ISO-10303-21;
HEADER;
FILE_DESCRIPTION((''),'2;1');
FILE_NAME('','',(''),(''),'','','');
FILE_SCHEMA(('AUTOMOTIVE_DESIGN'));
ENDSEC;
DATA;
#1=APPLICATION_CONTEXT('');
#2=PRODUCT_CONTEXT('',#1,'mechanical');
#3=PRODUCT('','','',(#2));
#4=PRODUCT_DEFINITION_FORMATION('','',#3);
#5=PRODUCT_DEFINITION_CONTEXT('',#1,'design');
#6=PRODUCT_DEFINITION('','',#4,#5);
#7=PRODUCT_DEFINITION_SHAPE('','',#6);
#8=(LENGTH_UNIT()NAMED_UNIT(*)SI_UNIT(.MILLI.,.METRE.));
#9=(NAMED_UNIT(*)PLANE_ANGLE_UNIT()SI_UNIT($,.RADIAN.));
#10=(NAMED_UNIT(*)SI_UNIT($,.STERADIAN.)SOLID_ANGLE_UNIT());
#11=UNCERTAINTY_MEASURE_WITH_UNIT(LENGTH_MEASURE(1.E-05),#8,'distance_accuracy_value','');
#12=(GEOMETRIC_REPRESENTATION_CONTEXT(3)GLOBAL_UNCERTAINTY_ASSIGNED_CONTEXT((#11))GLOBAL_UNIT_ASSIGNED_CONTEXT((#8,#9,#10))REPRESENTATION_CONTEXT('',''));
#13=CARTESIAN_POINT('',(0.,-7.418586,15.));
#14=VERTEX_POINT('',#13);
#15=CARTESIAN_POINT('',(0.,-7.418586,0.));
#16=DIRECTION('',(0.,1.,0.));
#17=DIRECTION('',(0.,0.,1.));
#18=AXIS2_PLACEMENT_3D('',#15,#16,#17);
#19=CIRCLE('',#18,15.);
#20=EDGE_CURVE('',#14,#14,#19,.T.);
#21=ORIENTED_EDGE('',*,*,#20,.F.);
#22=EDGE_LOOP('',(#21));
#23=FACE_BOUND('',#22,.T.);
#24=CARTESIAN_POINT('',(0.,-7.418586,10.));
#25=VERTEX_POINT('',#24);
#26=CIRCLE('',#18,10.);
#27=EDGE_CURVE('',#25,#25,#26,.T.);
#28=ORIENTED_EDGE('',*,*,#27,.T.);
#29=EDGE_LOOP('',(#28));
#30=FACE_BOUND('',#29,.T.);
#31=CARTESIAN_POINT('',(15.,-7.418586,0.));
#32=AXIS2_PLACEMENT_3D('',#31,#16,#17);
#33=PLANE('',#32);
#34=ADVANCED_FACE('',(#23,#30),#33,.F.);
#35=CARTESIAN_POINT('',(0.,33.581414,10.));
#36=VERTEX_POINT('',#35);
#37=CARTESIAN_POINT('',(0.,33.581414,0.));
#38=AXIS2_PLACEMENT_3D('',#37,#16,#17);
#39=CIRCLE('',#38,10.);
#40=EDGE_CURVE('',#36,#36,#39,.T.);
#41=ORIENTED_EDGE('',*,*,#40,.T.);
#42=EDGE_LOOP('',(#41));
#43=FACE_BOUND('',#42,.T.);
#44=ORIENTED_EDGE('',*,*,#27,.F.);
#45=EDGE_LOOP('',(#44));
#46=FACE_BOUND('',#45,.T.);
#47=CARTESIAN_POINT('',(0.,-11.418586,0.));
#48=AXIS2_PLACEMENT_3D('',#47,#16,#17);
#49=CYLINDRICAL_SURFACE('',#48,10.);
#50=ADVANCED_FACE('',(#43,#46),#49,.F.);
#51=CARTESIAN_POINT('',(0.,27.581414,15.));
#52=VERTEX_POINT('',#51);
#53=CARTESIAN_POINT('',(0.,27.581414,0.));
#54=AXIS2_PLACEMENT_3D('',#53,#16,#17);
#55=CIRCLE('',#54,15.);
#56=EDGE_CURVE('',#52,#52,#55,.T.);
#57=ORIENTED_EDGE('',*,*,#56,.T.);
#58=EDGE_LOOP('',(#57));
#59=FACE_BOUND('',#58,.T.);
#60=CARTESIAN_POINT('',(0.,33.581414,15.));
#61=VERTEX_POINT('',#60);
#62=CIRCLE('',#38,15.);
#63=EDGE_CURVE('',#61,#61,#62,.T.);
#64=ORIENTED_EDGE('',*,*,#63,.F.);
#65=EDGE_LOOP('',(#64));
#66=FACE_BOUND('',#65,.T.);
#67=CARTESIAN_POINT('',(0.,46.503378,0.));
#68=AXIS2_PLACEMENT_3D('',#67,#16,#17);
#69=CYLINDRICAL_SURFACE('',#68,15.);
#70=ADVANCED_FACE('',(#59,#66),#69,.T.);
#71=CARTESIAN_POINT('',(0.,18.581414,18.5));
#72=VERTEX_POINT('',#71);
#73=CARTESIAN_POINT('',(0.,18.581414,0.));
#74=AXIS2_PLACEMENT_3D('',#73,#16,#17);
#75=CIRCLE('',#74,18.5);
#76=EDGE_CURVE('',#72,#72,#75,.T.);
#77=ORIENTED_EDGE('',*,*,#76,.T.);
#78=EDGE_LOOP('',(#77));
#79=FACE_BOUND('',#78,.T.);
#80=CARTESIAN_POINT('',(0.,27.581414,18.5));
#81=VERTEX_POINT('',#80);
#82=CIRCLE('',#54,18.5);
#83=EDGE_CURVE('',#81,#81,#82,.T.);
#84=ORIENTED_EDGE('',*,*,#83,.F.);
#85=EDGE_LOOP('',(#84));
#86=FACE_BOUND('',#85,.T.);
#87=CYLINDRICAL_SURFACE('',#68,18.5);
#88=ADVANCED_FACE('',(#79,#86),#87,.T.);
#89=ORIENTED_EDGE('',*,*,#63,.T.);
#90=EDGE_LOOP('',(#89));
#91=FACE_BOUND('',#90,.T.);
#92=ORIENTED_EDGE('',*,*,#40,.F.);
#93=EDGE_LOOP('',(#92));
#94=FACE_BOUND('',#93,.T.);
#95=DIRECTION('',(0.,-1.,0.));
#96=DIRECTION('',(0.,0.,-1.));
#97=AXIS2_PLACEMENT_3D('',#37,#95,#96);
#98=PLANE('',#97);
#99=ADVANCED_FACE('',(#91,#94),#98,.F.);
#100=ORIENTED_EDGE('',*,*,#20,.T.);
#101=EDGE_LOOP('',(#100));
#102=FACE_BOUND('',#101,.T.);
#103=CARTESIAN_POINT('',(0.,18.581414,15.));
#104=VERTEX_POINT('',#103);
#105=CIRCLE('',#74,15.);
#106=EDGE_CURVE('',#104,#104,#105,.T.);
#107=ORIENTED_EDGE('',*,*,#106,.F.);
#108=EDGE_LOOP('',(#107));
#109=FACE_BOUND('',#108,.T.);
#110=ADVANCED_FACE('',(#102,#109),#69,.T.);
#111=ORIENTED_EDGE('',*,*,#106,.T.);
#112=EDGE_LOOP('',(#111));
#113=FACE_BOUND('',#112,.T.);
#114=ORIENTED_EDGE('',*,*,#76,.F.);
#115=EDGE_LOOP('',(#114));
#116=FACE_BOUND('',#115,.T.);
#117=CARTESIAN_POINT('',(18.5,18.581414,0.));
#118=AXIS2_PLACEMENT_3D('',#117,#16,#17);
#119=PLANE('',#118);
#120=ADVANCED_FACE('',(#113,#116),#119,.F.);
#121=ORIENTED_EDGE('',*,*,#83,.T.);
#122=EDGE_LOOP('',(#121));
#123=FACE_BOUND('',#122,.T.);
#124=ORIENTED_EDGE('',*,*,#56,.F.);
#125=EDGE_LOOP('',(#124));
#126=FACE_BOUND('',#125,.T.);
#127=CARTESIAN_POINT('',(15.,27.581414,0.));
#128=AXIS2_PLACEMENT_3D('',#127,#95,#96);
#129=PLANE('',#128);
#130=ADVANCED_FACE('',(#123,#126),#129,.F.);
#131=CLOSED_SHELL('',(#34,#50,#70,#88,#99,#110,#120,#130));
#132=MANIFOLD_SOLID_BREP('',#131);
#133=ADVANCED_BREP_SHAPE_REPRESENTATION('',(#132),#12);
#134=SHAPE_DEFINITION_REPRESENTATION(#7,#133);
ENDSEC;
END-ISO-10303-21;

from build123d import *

# Parameters (mm, degrees)
SKETCH_2_R          = 10
CUT_EXTRUDE_1_DEPTH = 45


with BuildPart() as part:
    # Эскиз1 → Повернуть1 (revolve)
    with BuildSketch(Plane.XY, mode=Mode.PRIVATE) as revolve_1_sk:
        Polygon((0, 33.581413689), (15, 33.581413689), (15, 27.581413689), (18.5, 27.581413689), (18.5, 18.581413689), (15, 18.581413689), (15, -7.418586311), (0, -7.418586311), align=None)
    revolve(revolve_1_sk.sketch.rotate(Axis((0, 46.50337763, 0), (0, -1, 0)), 90), axis=Axis((0, 46.50337763, 0), (0, -1, 0)))

    # Эскиз2 → Вырез-Вытянуть1 (cut)
    with BuildSketch(Plane(origin=(0, 33.581413689, 0), x_dir=(1, 0, 0), z_dir=(0, 1, 0))):
        with Locations(Location((0, 0, 0), (0, 0, 270))):
            Circle(SKETCH_2_R)
    extrude(amount=-CUT_EXTRUDE_1_DEPTH, mode=Mode.SUBTRACT)


solid = part.part
